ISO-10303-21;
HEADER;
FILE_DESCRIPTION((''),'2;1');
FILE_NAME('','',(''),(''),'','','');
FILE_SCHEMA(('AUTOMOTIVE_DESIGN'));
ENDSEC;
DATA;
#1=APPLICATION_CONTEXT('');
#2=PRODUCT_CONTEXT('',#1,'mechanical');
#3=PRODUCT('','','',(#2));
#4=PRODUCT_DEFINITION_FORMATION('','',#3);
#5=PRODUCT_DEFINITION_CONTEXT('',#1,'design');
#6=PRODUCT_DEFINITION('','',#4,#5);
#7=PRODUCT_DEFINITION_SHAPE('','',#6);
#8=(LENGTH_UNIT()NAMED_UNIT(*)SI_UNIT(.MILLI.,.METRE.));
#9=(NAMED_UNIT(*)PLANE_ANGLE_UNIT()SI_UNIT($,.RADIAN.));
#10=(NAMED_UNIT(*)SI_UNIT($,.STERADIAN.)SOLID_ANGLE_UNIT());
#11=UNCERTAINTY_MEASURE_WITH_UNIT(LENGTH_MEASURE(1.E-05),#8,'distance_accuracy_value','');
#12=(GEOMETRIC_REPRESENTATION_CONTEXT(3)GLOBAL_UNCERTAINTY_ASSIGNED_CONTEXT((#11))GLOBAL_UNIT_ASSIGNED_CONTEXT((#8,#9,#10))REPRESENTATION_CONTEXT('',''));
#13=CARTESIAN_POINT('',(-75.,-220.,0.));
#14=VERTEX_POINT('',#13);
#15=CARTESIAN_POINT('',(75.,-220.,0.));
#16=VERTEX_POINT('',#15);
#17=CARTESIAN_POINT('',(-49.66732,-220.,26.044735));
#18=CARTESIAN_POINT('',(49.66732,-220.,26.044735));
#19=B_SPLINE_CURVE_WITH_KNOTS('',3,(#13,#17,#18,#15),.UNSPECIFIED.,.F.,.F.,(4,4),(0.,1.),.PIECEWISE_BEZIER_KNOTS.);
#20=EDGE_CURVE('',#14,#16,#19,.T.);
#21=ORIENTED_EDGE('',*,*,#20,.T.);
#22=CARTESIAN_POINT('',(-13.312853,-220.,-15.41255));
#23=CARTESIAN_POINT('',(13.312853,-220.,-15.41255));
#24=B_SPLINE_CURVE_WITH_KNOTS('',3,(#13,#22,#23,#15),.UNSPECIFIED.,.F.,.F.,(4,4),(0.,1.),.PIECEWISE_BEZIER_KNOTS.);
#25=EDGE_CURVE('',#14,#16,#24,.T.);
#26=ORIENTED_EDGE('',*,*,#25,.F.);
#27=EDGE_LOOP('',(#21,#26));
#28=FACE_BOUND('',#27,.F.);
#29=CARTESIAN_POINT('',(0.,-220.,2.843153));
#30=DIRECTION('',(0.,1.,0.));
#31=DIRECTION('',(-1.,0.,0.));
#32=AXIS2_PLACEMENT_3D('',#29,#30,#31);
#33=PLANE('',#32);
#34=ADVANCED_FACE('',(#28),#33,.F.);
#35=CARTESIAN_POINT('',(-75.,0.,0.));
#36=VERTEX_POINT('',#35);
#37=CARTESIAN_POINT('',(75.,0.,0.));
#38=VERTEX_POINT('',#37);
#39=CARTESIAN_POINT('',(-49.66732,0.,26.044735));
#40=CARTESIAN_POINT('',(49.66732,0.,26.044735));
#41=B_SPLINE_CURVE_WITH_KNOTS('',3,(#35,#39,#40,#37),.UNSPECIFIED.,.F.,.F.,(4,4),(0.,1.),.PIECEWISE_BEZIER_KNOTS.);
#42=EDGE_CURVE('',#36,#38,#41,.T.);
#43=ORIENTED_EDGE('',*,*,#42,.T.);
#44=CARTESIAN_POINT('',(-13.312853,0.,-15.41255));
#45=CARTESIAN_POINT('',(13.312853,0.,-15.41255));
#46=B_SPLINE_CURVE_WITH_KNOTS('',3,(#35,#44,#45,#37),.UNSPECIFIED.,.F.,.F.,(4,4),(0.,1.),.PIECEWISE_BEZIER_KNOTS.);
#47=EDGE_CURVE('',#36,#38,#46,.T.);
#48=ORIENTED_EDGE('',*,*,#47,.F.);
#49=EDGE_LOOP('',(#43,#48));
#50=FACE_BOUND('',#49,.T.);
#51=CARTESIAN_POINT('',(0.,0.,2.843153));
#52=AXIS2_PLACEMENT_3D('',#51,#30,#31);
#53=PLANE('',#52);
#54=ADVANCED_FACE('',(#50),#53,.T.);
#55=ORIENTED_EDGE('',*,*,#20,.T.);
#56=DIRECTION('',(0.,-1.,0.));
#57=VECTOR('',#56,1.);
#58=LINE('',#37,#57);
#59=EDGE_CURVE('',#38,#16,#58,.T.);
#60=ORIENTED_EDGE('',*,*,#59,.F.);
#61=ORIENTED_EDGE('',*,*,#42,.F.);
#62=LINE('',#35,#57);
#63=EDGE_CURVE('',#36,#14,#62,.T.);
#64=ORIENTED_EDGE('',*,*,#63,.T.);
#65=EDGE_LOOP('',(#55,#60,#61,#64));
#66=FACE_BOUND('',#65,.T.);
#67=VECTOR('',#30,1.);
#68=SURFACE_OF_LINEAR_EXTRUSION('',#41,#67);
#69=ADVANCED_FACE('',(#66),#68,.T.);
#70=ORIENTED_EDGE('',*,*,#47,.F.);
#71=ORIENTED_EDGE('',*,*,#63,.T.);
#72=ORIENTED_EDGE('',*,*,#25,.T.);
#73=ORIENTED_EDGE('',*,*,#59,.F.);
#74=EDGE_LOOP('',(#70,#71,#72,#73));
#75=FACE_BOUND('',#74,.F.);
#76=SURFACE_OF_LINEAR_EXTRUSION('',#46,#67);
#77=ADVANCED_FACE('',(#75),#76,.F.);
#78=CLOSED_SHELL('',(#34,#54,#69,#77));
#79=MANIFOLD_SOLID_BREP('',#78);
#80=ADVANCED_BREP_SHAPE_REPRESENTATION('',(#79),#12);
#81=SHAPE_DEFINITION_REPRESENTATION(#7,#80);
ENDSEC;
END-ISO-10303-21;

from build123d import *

# Parameters (mm, degrees)
PAD_DEPTH = 220


with BuildPart() as part:
    # Sketch → Pad (new body)
    with BuildSketch(Plane.XZ):
        with BuildLine():
            add(Edge.make_bspline(
                [(-75, 0), (-49.66732, 26.044735), (49.66732, 26.044735), (75, 0)],
                knots=[0, 0, 0, 0, 1, 1, 1, 1], degree=3))
            add(Edge.make_bspline(
                [(-75, 0), (-13.312853, -15.41255), (13.312853, -15.41255), (75, 0)],
                knots=[0, 0, 0, 0, 1, 1, 1, 1], degree=3))
        make_face()
    extrude(amount=PAD_DEPTH)


solid = part.part
